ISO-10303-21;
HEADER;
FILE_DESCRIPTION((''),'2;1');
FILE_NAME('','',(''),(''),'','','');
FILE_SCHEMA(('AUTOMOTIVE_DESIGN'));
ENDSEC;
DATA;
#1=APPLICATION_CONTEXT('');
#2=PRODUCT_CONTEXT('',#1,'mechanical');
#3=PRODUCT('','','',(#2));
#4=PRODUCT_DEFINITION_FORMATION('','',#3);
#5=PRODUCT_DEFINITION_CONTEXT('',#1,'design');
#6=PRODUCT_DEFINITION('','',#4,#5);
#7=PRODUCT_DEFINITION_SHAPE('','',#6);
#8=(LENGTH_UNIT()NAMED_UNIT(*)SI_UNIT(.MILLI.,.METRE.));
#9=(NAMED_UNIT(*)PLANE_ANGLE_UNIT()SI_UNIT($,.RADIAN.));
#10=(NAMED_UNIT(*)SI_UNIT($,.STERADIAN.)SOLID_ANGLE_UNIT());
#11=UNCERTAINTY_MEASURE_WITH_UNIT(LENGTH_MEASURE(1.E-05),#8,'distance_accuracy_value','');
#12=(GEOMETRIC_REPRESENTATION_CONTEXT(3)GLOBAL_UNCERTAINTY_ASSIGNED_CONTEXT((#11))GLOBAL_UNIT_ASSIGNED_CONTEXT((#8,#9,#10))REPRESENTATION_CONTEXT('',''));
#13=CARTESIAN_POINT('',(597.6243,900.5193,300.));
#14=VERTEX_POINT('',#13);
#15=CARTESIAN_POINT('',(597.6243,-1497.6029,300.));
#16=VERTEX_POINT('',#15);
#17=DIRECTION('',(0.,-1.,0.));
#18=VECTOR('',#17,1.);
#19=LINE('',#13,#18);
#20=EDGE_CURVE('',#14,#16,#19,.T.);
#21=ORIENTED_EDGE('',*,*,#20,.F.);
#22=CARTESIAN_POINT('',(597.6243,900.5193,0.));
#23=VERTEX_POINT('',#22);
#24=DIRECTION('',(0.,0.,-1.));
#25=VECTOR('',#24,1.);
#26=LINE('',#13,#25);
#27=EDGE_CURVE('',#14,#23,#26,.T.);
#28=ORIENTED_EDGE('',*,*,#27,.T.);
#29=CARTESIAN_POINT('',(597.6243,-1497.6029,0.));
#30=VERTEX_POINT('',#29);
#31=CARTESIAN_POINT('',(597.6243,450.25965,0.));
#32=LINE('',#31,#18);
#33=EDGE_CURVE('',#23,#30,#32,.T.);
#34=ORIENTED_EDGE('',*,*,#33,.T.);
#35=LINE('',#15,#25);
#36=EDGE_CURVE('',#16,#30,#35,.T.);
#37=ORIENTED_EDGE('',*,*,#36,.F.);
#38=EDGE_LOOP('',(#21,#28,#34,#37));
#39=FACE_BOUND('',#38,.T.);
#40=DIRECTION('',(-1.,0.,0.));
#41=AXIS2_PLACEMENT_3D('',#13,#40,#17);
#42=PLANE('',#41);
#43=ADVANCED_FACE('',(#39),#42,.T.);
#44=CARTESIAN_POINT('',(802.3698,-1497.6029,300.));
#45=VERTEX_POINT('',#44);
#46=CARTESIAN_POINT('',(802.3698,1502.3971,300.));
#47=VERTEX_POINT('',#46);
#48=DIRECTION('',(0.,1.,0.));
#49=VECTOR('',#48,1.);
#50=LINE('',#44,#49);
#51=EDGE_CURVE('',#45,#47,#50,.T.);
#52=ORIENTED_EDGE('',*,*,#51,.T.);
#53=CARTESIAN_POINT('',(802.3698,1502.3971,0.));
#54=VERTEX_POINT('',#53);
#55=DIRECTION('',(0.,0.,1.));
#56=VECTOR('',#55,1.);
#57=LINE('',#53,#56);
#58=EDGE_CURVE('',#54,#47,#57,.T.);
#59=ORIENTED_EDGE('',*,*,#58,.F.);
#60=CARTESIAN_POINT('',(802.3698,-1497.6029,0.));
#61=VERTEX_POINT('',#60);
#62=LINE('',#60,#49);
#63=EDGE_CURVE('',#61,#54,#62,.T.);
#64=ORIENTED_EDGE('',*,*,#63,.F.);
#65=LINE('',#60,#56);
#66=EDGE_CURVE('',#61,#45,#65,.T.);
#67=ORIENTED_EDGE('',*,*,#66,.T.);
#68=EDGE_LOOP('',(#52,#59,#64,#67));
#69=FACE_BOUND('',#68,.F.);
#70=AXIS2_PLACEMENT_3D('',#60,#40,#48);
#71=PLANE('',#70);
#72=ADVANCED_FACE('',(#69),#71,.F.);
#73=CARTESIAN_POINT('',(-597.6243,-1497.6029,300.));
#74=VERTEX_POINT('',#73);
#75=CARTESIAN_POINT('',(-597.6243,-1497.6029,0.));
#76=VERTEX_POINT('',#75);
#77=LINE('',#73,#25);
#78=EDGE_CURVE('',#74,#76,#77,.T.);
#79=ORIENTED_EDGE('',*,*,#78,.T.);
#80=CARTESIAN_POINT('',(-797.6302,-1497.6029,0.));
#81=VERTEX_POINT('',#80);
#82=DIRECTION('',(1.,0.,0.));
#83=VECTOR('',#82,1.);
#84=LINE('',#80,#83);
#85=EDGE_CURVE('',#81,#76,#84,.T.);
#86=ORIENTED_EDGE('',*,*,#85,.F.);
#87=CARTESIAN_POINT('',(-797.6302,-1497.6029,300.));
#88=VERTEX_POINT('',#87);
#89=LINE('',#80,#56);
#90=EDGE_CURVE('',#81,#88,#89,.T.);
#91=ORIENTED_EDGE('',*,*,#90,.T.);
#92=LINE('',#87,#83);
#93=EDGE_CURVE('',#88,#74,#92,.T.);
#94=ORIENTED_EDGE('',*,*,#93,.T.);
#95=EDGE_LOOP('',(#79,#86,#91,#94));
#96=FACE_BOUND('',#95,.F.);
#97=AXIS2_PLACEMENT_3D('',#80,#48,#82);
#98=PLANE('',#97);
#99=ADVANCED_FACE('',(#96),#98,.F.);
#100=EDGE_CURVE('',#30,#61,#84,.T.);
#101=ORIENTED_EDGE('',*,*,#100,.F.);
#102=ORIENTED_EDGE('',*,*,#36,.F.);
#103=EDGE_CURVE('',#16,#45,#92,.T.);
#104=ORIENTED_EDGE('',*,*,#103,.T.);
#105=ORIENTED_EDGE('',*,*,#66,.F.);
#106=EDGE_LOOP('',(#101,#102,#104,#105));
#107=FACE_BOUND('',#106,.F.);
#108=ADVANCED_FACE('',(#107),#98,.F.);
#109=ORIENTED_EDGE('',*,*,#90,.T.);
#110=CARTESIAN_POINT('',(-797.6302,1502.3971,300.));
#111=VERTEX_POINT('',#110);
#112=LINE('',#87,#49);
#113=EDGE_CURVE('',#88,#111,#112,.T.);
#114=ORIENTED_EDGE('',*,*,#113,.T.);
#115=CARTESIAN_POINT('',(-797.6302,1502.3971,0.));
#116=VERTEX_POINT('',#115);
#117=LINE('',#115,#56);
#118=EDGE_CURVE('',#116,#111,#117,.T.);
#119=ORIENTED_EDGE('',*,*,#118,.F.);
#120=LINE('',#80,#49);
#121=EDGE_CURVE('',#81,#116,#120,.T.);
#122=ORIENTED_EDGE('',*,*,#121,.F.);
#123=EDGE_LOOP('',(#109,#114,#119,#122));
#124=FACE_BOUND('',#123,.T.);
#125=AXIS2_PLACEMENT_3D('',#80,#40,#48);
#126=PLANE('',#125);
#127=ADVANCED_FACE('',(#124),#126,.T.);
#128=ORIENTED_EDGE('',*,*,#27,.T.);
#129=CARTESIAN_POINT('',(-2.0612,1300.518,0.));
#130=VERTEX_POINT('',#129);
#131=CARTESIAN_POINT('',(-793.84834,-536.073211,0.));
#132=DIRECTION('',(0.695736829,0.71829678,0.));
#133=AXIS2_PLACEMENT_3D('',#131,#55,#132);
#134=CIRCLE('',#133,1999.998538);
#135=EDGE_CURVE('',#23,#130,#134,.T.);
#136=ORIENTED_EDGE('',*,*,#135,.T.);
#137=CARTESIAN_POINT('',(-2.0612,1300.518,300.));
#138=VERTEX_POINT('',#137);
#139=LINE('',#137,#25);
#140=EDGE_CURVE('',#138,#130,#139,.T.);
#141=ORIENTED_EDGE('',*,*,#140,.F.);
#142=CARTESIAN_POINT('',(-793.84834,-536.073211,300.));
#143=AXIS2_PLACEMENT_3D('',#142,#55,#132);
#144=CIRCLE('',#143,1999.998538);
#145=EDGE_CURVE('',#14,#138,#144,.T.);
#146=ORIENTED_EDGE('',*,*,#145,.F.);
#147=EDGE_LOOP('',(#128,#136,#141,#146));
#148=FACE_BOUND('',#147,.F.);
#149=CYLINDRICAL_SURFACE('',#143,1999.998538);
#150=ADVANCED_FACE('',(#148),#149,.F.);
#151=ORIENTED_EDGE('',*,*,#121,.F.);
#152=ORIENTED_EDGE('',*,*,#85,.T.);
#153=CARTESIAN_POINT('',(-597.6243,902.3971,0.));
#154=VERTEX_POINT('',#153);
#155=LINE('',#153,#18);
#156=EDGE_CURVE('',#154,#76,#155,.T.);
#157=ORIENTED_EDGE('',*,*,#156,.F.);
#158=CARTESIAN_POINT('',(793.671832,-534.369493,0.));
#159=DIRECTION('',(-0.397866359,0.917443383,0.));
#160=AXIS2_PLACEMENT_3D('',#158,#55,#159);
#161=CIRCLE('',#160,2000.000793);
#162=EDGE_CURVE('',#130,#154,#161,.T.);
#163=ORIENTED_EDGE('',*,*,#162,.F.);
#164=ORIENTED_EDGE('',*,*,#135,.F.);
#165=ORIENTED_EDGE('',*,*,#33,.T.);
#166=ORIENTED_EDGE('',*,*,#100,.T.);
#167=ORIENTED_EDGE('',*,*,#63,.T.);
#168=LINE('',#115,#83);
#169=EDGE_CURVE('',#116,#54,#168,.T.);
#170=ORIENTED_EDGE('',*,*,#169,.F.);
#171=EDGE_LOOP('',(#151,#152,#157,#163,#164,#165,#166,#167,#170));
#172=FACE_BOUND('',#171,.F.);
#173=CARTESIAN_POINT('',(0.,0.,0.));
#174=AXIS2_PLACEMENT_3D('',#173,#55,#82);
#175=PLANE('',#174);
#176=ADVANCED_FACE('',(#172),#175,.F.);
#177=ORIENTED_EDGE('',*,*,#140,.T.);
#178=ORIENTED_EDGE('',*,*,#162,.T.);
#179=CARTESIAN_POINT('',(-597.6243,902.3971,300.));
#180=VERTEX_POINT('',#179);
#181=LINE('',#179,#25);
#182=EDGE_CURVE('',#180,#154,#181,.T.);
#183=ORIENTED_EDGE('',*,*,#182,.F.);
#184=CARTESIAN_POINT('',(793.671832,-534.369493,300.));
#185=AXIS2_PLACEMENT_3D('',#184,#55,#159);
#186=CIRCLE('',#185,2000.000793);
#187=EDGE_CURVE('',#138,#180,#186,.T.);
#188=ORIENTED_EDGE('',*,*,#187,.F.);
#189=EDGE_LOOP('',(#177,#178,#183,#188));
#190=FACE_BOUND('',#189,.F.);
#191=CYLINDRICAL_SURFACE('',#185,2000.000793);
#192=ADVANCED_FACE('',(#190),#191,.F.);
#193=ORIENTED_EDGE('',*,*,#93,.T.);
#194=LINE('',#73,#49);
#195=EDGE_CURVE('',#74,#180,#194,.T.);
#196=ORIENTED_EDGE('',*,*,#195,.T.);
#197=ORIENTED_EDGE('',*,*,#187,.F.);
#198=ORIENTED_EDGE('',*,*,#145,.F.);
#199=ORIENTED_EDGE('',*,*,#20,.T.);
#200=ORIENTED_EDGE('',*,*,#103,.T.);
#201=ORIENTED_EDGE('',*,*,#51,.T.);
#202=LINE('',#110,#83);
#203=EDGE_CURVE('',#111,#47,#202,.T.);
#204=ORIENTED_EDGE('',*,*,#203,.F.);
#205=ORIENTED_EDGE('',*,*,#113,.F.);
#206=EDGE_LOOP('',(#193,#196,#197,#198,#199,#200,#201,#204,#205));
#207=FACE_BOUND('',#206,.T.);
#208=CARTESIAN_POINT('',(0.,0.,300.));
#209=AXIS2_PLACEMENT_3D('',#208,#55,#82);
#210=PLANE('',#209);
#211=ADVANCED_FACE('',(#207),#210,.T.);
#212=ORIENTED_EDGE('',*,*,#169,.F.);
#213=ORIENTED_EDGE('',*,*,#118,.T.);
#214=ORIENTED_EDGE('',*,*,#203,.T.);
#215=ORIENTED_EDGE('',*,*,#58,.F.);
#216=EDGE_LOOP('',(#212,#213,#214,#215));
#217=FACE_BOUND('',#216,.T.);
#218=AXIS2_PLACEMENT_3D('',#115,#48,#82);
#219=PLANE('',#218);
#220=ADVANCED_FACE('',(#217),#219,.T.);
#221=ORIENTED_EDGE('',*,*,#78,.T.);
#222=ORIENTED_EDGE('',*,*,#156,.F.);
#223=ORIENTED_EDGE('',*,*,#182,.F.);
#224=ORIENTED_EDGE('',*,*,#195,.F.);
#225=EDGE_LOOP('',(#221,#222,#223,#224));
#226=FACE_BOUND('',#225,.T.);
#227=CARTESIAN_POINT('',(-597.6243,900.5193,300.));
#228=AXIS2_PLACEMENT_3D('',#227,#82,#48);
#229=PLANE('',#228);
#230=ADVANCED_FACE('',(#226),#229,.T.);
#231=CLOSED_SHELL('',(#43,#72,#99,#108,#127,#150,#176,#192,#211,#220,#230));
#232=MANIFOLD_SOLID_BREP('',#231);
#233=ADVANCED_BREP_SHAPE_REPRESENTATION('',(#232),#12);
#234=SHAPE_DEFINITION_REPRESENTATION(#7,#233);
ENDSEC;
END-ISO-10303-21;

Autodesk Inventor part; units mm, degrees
ref_plane "YZ Plane" through (0, 0, 0) normal (1, 0, 0) x (0, 1, 0)
ref_plane "XZ Plane" through (0, 0, 0) normal (0, 1, 0) x (-1, 0, 0)
ref_plane "XY Plane" through (0, 0, 0) normal (0, 0, 1) x (1, 0, 0)
sketch "Sketch1" plane through (0, 0, 0) normal (0, 0, 1) x (1, 0, 0)
  line L0 (-797.6302, 1502.3971) -> (802.3698, 1502.3971)
  line L1 (-797.6302, -1497.6029) -> (-797.6302, 1502.3971)
  line L2 (802.3698, -1497.6029) -> (802.3698, 1502.3971)
  line L3 (-797.6302, -1497.6029) -> (802.3698, -1497.6029)
  point P0 (0, 0)
extrude "Extrusion1" add sketch "Sketch1" along normal blind 300
sketch "Sketch2" plane through (0, 0, 300) normal (0, 0, 1) x (1, 0, 0)
  line L0 (2.3698, -1497.6029) -> (-2.3622, -1497.6029)
  line L1 (-797.6302, -1495.094) -> (-807.0903, -1495.0642)
  line L2 (-597.6243, 900.5193) -> (-597.6243, -1497.6029)
  line L3 (-597.6243, -1497.6029) -> (-597.6243, 902.3971)
  line L4 (597.6243, 900.5193) -> (597.6243, -1497.6029)
  line L5 (-597.6243, -1497.6029) -> (597.6243, -1497.6029)
  arc A0 (-2.0612, 1300.518) -> (-597.6243, 902.3971) centre (793.6714, -534.3687) ccw
  arc A1 (597.6243, 900.5193) -> (-2.0612, 1300.518) centre (-793.8493, -536.0744) ccw
  point P0 (0, 0)
  point P1 (2.0612, 1300.518)
  dimension "d8" = 2000
  dimension "d9" = 2000
extrude "Extrusion2" cut sketch "Sketch2" against normal through all
properties part number "front_wall_block06" material "Wood (Maple)"
